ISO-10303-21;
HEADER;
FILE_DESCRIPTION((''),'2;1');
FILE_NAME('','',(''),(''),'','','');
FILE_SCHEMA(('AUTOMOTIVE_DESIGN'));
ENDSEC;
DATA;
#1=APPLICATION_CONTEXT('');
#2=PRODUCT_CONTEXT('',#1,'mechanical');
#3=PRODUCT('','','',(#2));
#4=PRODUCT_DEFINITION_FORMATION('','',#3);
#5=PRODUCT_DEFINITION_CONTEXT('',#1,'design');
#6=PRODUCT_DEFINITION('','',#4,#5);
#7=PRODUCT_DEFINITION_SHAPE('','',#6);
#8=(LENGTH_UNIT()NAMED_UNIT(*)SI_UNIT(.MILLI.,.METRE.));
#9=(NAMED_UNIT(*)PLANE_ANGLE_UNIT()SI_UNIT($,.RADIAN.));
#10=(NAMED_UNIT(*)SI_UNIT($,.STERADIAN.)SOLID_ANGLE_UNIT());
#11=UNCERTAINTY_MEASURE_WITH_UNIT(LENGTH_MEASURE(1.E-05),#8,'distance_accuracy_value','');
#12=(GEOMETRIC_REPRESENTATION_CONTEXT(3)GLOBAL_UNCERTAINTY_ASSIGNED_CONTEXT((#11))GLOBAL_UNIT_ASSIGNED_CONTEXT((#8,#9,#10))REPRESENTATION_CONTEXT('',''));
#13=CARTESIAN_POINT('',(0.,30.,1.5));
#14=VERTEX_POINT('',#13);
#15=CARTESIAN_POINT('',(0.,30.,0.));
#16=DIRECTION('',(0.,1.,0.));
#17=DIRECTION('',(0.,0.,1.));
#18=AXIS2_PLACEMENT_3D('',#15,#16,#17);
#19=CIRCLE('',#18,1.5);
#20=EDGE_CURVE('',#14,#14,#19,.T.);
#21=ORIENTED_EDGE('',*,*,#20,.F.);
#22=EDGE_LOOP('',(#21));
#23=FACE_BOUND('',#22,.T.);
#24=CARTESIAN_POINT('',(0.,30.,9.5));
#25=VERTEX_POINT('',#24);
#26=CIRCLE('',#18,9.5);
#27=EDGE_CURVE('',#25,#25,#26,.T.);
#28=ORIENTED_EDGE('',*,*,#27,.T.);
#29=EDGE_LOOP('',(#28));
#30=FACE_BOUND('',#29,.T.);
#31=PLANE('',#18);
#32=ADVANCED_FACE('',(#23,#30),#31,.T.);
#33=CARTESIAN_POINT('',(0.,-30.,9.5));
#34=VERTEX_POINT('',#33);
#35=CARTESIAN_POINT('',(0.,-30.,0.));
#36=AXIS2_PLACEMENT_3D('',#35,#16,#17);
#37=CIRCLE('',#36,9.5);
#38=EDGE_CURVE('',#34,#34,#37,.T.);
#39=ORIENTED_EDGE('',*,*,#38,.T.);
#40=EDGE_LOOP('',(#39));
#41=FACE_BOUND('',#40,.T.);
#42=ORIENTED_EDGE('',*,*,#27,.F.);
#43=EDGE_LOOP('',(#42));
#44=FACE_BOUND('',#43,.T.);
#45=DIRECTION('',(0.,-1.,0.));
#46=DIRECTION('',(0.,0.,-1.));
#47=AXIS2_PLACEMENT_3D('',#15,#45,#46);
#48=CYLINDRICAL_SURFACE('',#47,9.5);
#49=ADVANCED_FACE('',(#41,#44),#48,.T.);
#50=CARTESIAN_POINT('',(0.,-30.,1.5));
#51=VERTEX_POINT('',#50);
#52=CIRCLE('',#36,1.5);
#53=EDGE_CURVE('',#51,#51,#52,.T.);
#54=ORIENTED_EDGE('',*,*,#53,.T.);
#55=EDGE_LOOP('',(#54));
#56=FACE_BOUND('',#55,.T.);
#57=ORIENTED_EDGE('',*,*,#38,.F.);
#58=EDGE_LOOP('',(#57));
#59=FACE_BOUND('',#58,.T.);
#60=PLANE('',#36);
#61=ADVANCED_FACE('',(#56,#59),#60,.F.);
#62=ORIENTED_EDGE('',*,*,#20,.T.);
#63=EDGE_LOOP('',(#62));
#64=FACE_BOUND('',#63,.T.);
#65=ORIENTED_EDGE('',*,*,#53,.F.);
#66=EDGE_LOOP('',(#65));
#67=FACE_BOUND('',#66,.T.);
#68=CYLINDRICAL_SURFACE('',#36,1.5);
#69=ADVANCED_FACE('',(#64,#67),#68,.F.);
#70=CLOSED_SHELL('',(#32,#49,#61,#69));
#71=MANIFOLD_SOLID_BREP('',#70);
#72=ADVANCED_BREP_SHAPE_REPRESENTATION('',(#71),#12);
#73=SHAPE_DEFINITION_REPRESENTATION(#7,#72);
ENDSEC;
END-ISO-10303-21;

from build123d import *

# Parameters (mm, degrees)
SKETCH2_R           = 9.5
BOSS_EXTRUDE1_DEPTH = 30
SKETCH3_R           = 1.5
CUT_EXTRUDE1_DEPTH  = 61


with BuildPart() as part:
    # Sketch2 → Boss-Extrude1 (new body, symmetric)
    with BuildSketch(Plane(origin=(0, 0, 0), x_dir=(1, 0, 0), z_dir=(0, 1, 0))):
        Circle(SKETCH2_R)
    extrude(amount=BOSS_EXTRUDE1_DEPTH, both=True)

    # Sketch3 → Cut-Extrude1 (cut, through all)
    with BuildSketch(Plane(origin=(0, 30, 0), x_dir=(1, 0, 0), z_dir=(0, 1, 0))):
        Circle(SKETCH3_R)
    extrude(amount=-CUT_EXTRUDE1_DEPTH, mode=Mode.SUBTRACT)


solid = part.part
